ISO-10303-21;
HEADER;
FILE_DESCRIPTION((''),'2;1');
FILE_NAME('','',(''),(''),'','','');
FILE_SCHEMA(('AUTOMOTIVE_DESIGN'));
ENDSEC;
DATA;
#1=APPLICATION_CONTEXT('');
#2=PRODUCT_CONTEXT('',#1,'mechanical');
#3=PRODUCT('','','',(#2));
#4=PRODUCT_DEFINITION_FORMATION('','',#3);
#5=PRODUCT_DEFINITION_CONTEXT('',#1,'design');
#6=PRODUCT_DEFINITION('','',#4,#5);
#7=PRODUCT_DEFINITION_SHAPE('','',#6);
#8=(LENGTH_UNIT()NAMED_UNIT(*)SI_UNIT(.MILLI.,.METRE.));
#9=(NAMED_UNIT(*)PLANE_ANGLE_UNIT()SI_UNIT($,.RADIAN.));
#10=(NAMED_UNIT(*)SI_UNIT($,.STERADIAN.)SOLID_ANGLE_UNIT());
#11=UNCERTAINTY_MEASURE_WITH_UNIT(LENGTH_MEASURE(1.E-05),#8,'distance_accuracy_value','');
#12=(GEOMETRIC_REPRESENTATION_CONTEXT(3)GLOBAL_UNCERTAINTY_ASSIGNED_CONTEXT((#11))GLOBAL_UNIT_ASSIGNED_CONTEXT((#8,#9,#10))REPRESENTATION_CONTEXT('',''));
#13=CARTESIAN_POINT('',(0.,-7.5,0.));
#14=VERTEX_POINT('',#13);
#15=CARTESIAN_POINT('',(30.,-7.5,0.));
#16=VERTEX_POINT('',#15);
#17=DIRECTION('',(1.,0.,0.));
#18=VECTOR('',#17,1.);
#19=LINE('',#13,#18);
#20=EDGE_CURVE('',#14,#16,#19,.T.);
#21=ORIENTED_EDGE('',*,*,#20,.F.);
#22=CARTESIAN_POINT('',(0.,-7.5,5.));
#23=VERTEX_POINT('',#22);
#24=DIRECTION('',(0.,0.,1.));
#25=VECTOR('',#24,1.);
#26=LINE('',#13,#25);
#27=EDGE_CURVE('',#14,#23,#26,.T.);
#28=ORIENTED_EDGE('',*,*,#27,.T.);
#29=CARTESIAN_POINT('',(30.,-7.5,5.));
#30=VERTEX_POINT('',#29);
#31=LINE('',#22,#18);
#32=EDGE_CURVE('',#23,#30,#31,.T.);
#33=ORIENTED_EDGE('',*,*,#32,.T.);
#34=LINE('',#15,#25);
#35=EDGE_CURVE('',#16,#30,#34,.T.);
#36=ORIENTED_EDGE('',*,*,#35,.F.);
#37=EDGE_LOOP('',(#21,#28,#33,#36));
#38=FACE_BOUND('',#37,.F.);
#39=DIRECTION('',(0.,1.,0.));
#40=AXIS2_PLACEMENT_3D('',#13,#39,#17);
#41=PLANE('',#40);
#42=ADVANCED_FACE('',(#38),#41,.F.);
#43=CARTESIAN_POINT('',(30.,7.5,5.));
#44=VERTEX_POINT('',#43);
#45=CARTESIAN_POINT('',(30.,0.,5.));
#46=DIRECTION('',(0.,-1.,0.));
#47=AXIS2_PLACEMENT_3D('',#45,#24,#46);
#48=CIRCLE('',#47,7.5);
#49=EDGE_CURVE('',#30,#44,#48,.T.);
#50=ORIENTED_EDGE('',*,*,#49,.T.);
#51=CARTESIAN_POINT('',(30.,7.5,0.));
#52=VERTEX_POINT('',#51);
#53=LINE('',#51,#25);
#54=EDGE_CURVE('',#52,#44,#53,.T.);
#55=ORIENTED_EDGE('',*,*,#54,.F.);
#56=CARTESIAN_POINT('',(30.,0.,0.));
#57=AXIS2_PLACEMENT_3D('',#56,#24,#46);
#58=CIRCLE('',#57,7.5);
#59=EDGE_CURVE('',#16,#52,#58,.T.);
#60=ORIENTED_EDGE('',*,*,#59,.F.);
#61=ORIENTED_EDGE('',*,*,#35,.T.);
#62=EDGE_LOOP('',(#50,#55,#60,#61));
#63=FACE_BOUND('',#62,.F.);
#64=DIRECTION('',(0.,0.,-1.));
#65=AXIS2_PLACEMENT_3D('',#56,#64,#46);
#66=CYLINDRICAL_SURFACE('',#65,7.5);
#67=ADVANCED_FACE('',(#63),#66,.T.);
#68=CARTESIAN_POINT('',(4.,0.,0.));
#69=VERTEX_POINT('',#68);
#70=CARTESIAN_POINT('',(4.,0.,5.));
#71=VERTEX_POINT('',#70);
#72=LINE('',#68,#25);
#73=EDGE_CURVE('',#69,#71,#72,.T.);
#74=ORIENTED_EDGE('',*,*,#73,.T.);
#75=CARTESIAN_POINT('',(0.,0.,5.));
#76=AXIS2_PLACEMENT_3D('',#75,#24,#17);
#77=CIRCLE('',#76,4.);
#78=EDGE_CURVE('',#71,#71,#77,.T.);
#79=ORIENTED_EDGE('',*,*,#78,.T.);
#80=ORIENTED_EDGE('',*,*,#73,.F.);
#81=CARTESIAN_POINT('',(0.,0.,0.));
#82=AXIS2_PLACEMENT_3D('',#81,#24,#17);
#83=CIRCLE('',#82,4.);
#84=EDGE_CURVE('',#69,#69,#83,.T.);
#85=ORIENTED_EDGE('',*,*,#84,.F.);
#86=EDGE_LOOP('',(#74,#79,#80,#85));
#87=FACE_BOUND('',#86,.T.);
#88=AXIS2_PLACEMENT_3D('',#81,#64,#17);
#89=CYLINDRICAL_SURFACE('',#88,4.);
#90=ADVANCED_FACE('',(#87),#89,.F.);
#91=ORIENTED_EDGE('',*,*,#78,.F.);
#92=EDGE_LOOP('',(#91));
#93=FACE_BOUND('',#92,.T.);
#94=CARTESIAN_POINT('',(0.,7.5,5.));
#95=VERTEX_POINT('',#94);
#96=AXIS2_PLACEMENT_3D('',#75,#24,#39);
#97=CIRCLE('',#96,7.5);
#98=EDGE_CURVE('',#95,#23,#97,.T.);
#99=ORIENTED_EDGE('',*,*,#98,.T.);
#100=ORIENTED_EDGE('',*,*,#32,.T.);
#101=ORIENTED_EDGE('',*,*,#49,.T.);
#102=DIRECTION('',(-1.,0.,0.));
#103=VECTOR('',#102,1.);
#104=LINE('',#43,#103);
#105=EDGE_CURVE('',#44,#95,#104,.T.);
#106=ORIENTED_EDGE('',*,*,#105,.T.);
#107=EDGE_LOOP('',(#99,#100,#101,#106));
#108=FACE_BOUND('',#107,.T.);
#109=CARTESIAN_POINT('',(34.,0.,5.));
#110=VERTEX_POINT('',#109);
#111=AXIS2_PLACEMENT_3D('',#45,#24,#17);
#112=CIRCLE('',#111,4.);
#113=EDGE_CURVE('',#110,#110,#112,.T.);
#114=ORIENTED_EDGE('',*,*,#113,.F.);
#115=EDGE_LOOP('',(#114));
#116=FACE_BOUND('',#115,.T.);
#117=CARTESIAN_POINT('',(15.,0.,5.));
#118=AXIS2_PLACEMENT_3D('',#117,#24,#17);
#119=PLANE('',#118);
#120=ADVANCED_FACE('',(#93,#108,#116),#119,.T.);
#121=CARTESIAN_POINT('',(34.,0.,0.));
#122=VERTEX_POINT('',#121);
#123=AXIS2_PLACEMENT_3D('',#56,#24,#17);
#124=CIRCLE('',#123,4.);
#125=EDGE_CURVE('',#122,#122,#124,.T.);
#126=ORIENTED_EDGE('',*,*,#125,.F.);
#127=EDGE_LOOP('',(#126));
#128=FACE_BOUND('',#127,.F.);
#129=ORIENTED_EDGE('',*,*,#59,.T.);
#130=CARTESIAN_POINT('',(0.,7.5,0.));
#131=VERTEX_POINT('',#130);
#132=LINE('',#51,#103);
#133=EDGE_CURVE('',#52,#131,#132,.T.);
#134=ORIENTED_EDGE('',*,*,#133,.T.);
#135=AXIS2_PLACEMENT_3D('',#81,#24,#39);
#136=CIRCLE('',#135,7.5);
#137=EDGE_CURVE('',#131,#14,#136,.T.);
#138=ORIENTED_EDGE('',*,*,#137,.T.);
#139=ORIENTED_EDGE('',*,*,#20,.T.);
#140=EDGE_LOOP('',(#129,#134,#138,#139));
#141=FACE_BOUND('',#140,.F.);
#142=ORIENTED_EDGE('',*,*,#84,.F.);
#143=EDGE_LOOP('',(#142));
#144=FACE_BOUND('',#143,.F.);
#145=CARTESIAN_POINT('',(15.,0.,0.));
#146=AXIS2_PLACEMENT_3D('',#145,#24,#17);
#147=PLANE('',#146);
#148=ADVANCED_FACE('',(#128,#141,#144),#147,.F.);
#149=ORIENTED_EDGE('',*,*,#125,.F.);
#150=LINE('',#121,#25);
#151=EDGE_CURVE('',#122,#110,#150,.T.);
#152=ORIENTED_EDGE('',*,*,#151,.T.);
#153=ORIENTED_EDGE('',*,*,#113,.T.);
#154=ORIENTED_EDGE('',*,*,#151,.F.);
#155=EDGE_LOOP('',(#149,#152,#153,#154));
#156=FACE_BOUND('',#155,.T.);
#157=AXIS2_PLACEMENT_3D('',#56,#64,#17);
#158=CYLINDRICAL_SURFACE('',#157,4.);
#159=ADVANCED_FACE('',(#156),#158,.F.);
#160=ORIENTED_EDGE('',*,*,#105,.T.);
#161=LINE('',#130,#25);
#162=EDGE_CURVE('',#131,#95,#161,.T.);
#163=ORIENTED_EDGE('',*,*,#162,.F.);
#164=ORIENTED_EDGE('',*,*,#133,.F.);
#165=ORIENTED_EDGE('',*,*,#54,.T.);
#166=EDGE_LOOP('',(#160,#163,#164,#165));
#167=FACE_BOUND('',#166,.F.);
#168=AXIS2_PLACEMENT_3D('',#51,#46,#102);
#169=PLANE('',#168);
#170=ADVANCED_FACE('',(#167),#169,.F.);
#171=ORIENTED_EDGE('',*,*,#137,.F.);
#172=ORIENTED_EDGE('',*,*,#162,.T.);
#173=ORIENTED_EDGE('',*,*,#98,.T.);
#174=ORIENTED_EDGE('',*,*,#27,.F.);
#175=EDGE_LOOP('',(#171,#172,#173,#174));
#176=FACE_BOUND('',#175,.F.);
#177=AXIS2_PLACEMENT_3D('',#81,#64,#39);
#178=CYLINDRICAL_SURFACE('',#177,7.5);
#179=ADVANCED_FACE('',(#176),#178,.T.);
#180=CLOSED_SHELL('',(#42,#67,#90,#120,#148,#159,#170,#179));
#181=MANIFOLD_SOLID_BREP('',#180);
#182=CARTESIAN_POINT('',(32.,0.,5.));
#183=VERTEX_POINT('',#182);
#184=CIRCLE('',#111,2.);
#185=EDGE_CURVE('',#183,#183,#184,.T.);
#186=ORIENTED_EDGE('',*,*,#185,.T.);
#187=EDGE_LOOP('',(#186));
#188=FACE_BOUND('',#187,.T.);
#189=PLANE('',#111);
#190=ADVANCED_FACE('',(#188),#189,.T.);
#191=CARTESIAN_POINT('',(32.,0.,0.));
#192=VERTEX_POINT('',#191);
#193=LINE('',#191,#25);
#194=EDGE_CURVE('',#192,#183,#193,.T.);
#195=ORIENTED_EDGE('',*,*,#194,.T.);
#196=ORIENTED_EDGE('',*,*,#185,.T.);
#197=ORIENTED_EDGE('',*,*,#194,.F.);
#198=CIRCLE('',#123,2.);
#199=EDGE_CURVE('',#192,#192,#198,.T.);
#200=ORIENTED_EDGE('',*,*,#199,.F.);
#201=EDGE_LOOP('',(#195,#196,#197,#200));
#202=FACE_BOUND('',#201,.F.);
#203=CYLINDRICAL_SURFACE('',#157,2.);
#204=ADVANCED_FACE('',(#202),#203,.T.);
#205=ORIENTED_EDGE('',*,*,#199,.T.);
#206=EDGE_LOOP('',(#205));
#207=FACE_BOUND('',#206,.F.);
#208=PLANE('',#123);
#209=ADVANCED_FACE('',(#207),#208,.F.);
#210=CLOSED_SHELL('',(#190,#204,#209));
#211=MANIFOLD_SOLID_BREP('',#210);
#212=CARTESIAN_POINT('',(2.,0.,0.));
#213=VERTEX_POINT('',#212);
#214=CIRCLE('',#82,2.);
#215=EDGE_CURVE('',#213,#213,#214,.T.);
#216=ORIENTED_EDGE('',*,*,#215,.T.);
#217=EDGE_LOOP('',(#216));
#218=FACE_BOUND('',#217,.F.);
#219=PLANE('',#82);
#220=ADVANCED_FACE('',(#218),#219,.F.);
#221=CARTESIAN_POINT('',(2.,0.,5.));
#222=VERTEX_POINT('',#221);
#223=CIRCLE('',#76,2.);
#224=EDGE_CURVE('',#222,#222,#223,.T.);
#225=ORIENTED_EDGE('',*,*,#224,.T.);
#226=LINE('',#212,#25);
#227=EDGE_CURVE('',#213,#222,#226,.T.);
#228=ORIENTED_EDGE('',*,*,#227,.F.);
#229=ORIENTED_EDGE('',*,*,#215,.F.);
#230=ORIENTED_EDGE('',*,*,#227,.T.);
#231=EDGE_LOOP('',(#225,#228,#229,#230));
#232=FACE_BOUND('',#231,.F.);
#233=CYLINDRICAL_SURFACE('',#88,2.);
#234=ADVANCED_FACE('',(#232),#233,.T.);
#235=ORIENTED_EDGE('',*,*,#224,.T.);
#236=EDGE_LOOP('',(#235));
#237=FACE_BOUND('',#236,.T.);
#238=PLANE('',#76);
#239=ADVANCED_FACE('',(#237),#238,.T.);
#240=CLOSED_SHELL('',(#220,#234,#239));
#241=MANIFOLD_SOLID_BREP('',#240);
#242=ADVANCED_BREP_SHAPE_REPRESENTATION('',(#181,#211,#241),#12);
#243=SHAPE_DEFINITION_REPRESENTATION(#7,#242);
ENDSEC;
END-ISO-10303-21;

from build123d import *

# Parameters (mm, degrees)
F0_R     = 4
F1_DEPTH = 5
F2_R     = 2
F3_DEPTH = 5


with BuildPart() as f1:
    # F0 (on Top) → F1 (new body)
    with BuildSketch(Plane.XY):
        with BuildLine():
            Line((30, 7.5), (0, 7.5))
            ThreePointArc((0, 7.5), (-7.5, 0), (0, -7.5))
            Line((0, -7.5), (30, -7.5))
            ThreePointArc((30, -7.5), (37.5, 0), (30, 7.5))
        make_face()
        Circle(F0_R, mode=Mode.SUBTRACT)
        with Locations((30, 0)):
            Circle(F0_R, mode=Mode.SUBTRACT)
    extrude(amount=F1_DEPTH)


with BuildPart() as f3:
    # F2 (on Top) → F3 (new body)
    with BuildSketch(Plane.XY):
        Circle(F2_R)
        with Locations((30, 0)):
            Circle(F2_R)
    extrude(amount=F3_DEPTH)


solid = Compound([f1.part, f3.part])
